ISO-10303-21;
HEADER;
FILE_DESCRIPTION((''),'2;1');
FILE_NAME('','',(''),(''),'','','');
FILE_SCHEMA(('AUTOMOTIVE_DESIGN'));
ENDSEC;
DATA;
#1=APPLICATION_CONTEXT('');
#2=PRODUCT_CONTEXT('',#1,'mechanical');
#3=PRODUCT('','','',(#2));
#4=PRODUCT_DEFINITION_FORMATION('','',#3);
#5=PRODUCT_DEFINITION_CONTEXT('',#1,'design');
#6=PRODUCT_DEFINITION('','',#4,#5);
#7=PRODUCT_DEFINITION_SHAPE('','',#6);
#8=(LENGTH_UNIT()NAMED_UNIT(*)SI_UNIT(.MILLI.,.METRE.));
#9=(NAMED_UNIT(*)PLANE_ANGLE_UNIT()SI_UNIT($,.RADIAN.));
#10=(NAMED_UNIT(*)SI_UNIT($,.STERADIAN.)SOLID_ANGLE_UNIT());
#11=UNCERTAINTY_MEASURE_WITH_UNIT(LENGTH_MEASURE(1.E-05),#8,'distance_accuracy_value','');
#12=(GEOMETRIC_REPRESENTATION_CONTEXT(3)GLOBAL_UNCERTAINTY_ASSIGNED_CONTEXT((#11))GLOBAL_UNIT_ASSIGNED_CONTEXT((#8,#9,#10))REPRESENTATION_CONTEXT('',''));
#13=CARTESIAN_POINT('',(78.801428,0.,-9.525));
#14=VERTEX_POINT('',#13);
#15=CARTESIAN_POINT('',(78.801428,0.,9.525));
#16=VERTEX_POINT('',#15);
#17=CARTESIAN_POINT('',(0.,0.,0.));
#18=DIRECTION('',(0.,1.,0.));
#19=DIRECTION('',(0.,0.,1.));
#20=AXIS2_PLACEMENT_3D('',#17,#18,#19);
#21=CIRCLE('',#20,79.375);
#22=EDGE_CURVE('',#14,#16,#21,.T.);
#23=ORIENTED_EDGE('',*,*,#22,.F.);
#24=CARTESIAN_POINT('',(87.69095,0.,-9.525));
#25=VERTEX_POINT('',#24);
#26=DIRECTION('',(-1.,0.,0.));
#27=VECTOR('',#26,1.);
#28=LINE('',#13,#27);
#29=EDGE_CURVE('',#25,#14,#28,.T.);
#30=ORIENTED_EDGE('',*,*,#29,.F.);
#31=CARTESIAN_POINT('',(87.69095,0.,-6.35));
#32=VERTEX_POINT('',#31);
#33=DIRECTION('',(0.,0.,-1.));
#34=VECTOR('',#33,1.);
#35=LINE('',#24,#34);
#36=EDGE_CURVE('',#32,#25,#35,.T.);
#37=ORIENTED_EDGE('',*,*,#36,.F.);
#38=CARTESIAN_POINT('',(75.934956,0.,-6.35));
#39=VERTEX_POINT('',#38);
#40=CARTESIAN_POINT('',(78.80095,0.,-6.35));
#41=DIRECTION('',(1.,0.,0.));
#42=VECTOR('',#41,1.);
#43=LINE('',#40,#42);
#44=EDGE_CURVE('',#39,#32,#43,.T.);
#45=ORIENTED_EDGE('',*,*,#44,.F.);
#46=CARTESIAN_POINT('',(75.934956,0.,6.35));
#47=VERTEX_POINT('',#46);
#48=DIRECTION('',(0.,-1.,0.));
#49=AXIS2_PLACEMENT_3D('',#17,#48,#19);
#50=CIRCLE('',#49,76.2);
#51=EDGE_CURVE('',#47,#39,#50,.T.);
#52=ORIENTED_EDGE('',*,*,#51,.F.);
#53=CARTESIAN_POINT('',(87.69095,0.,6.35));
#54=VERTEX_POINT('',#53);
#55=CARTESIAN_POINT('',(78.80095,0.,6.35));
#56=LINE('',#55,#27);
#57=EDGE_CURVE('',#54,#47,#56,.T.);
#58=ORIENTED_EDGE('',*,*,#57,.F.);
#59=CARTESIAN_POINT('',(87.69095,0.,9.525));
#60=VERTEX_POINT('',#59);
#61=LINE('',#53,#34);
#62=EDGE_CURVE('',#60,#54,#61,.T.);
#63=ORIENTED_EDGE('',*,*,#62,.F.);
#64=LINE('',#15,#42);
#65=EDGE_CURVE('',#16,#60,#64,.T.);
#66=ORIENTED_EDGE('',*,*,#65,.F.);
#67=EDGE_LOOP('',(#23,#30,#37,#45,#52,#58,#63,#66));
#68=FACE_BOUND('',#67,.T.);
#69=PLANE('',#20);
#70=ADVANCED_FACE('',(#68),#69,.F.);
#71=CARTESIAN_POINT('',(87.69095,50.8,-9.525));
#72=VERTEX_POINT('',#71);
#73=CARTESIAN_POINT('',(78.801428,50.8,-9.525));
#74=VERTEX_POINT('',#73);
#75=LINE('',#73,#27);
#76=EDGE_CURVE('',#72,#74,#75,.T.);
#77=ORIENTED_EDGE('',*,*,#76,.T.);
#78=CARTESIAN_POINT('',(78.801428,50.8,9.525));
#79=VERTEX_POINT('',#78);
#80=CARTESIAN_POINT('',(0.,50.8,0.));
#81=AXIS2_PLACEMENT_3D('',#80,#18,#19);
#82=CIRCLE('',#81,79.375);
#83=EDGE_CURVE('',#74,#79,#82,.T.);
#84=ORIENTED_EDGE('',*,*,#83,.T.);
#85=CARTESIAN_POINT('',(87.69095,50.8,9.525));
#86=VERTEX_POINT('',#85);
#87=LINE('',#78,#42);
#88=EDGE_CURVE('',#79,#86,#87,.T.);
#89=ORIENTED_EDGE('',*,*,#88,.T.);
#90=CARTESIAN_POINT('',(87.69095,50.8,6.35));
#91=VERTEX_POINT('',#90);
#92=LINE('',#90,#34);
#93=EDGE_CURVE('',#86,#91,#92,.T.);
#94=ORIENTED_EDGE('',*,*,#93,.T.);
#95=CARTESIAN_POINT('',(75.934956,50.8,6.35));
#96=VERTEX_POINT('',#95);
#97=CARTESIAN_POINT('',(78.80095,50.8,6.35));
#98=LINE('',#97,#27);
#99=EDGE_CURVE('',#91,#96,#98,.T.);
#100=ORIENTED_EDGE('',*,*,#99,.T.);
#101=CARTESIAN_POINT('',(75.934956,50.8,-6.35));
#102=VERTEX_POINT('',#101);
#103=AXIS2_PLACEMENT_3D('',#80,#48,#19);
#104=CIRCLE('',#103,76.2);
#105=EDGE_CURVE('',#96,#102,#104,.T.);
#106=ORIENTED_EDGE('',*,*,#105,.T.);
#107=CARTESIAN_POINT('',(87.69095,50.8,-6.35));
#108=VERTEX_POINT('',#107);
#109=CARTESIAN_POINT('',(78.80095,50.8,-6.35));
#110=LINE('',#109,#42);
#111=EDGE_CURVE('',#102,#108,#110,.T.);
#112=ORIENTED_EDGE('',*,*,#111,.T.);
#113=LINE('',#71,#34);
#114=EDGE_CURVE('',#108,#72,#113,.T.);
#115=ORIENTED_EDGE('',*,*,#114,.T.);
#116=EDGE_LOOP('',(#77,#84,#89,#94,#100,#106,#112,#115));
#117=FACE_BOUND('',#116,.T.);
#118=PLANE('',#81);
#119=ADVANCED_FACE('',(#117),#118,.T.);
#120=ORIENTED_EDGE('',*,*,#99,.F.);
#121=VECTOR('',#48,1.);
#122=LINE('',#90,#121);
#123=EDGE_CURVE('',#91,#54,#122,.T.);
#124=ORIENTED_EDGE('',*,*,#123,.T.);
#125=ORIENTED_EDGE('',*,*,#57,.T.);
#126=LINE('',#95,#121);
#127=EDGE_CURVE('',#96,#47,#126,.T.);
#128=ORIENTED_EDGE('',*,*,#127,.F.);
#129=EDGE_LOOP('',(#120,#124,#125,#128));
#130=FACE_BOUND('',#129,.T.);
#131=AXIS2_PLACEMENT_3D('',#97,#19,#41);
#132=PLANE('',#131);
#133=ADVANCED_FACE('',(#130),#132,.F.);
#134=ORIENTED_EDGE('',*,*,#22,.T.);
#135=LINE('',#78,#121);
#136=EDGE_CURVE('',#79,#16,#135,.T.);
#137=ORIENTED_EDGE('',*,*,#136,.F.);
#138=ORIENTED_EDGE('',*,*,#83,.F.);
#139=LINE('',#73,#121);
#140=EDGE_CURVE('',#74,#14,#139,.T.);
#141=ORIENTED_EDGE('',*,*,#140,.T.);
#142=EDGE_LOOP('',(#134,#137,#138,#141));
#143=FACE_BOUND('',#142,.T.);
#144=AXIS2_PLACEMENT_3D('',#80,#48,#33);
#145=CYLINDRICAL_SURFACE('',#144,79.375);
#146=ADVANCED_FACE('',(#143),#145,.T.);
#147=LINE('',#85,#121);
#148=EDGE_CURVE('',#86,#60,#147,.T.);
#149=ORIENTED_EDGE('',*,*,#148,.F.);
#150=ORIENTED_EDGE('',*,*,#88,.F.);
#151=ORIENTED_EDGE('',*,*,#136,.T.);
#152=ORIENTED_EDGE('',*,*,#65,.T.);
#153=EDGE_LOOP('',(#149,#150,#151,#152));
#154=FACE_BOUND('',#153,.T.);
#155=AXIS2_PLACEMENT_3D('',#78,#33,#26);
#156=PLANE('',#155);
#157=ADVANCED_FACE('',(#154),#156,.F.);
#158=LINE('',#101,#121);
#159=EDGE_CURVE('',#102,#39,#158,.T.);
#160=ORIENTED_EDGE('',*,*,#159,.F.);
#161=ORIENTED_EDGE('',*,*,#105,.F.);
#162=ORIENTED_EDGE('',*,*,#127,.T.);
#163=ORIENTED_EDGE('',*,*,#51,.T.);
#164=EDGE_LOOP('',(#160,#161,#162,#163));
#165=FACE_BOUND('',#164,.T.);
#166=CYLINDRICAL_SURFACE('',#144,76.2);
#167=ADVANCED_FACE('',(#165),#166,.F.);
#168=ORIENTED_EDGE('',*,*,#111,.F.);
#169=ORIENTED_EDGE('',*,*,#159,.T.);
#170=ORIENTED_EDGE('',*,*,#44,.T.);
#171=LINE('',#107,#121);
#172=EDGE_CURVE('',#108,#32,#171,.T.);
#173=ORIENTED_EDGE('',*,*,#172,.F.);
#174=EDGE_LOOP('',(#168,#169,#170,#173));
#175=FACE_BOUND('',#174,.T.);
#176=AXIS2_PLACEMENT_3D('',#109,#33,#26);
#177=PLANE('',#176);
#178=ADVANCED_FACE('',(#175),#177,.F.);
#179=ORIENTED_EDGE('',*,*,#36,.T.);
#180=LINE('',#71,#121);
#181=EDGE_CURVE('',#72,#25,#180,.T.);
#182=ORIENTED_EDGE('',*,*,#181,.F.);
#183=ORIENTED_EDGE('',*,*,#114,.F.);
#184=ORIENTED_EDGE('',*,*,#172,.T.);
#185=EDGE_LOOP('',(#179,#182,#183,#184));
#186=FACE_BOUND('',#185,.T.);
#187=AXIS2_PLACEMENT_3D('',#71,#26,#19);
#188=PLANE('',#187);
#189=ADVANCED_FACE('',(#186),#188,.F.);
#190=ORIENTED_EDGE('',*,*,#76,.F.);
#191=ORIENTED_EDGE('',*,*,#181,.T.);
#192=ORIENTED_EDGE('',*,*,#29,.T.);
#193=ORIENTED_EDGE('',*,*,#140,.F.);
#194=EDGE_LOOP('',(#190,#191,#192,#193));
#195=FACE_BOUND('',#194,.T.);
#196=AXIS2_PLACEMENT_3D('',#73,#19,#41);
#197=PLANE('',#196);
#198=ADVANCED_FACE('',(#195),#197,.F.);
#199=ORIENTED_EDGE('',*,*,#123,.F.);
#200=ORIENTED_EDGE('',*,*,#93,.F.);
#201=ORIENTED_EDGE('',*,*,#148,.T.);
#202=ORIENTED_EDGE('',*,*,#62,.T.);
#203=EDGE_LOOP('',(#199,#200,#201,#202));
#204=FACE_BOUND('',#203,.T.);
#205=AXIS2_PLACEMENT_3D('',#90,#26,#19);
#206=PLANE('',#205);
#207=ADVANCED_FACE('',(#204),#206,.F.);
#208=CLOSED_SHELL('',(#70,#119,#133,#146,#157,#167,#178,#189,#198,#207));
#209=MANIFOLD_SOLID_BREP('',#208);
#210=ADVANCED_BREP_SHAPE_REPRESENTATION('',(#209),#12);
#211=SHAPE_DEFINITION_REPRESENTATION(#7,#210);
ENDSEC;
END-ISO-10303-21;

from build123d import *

# Parameters (mm, degrees)
BOSS_EXTRUDE1_DEPTH = 50.8


with BuildPart() as part:
    # Sketch2 → Boss-Extrude1 (new body)
    with BuildSketch(Plane(origin=(0, 0, 0), x_dir=(1, 0, 0), z_dir=(0, 1, 0))):
        with BuildLine():
            Line((78.800950314, -6.35), (87.690950314, -6.35))
            Line((87.690950314, -6.35), (87.690950314, -9.525))
            Line((87.690950314, -9.525), (78.801427652, -9.525))
            ThreePointArc((78.801427652, -9.525), (-79.375, 0), (78.801427652, 9.525))
            Line((78.801427652, 9.525), (87.690950314, 9.525))
            Line((87.690950314, 9.525), (87.690950314, 6.35))
            Line((87.690950314, 6.35), (78.800950314, 6.35))
            Line((78.800950314, 6.35), (75.934955719, 6.35))
            ThreePointArc((75.934955719, 6.35), (-76.2, 0), (75.934955719, -6.35))
            Line((75.934955719, -6.35), (78.800950314, -6.35))
        make_face()
    extrude(amount=BOSS_EXTRUDE1_DEPTH)


solid = part.part
